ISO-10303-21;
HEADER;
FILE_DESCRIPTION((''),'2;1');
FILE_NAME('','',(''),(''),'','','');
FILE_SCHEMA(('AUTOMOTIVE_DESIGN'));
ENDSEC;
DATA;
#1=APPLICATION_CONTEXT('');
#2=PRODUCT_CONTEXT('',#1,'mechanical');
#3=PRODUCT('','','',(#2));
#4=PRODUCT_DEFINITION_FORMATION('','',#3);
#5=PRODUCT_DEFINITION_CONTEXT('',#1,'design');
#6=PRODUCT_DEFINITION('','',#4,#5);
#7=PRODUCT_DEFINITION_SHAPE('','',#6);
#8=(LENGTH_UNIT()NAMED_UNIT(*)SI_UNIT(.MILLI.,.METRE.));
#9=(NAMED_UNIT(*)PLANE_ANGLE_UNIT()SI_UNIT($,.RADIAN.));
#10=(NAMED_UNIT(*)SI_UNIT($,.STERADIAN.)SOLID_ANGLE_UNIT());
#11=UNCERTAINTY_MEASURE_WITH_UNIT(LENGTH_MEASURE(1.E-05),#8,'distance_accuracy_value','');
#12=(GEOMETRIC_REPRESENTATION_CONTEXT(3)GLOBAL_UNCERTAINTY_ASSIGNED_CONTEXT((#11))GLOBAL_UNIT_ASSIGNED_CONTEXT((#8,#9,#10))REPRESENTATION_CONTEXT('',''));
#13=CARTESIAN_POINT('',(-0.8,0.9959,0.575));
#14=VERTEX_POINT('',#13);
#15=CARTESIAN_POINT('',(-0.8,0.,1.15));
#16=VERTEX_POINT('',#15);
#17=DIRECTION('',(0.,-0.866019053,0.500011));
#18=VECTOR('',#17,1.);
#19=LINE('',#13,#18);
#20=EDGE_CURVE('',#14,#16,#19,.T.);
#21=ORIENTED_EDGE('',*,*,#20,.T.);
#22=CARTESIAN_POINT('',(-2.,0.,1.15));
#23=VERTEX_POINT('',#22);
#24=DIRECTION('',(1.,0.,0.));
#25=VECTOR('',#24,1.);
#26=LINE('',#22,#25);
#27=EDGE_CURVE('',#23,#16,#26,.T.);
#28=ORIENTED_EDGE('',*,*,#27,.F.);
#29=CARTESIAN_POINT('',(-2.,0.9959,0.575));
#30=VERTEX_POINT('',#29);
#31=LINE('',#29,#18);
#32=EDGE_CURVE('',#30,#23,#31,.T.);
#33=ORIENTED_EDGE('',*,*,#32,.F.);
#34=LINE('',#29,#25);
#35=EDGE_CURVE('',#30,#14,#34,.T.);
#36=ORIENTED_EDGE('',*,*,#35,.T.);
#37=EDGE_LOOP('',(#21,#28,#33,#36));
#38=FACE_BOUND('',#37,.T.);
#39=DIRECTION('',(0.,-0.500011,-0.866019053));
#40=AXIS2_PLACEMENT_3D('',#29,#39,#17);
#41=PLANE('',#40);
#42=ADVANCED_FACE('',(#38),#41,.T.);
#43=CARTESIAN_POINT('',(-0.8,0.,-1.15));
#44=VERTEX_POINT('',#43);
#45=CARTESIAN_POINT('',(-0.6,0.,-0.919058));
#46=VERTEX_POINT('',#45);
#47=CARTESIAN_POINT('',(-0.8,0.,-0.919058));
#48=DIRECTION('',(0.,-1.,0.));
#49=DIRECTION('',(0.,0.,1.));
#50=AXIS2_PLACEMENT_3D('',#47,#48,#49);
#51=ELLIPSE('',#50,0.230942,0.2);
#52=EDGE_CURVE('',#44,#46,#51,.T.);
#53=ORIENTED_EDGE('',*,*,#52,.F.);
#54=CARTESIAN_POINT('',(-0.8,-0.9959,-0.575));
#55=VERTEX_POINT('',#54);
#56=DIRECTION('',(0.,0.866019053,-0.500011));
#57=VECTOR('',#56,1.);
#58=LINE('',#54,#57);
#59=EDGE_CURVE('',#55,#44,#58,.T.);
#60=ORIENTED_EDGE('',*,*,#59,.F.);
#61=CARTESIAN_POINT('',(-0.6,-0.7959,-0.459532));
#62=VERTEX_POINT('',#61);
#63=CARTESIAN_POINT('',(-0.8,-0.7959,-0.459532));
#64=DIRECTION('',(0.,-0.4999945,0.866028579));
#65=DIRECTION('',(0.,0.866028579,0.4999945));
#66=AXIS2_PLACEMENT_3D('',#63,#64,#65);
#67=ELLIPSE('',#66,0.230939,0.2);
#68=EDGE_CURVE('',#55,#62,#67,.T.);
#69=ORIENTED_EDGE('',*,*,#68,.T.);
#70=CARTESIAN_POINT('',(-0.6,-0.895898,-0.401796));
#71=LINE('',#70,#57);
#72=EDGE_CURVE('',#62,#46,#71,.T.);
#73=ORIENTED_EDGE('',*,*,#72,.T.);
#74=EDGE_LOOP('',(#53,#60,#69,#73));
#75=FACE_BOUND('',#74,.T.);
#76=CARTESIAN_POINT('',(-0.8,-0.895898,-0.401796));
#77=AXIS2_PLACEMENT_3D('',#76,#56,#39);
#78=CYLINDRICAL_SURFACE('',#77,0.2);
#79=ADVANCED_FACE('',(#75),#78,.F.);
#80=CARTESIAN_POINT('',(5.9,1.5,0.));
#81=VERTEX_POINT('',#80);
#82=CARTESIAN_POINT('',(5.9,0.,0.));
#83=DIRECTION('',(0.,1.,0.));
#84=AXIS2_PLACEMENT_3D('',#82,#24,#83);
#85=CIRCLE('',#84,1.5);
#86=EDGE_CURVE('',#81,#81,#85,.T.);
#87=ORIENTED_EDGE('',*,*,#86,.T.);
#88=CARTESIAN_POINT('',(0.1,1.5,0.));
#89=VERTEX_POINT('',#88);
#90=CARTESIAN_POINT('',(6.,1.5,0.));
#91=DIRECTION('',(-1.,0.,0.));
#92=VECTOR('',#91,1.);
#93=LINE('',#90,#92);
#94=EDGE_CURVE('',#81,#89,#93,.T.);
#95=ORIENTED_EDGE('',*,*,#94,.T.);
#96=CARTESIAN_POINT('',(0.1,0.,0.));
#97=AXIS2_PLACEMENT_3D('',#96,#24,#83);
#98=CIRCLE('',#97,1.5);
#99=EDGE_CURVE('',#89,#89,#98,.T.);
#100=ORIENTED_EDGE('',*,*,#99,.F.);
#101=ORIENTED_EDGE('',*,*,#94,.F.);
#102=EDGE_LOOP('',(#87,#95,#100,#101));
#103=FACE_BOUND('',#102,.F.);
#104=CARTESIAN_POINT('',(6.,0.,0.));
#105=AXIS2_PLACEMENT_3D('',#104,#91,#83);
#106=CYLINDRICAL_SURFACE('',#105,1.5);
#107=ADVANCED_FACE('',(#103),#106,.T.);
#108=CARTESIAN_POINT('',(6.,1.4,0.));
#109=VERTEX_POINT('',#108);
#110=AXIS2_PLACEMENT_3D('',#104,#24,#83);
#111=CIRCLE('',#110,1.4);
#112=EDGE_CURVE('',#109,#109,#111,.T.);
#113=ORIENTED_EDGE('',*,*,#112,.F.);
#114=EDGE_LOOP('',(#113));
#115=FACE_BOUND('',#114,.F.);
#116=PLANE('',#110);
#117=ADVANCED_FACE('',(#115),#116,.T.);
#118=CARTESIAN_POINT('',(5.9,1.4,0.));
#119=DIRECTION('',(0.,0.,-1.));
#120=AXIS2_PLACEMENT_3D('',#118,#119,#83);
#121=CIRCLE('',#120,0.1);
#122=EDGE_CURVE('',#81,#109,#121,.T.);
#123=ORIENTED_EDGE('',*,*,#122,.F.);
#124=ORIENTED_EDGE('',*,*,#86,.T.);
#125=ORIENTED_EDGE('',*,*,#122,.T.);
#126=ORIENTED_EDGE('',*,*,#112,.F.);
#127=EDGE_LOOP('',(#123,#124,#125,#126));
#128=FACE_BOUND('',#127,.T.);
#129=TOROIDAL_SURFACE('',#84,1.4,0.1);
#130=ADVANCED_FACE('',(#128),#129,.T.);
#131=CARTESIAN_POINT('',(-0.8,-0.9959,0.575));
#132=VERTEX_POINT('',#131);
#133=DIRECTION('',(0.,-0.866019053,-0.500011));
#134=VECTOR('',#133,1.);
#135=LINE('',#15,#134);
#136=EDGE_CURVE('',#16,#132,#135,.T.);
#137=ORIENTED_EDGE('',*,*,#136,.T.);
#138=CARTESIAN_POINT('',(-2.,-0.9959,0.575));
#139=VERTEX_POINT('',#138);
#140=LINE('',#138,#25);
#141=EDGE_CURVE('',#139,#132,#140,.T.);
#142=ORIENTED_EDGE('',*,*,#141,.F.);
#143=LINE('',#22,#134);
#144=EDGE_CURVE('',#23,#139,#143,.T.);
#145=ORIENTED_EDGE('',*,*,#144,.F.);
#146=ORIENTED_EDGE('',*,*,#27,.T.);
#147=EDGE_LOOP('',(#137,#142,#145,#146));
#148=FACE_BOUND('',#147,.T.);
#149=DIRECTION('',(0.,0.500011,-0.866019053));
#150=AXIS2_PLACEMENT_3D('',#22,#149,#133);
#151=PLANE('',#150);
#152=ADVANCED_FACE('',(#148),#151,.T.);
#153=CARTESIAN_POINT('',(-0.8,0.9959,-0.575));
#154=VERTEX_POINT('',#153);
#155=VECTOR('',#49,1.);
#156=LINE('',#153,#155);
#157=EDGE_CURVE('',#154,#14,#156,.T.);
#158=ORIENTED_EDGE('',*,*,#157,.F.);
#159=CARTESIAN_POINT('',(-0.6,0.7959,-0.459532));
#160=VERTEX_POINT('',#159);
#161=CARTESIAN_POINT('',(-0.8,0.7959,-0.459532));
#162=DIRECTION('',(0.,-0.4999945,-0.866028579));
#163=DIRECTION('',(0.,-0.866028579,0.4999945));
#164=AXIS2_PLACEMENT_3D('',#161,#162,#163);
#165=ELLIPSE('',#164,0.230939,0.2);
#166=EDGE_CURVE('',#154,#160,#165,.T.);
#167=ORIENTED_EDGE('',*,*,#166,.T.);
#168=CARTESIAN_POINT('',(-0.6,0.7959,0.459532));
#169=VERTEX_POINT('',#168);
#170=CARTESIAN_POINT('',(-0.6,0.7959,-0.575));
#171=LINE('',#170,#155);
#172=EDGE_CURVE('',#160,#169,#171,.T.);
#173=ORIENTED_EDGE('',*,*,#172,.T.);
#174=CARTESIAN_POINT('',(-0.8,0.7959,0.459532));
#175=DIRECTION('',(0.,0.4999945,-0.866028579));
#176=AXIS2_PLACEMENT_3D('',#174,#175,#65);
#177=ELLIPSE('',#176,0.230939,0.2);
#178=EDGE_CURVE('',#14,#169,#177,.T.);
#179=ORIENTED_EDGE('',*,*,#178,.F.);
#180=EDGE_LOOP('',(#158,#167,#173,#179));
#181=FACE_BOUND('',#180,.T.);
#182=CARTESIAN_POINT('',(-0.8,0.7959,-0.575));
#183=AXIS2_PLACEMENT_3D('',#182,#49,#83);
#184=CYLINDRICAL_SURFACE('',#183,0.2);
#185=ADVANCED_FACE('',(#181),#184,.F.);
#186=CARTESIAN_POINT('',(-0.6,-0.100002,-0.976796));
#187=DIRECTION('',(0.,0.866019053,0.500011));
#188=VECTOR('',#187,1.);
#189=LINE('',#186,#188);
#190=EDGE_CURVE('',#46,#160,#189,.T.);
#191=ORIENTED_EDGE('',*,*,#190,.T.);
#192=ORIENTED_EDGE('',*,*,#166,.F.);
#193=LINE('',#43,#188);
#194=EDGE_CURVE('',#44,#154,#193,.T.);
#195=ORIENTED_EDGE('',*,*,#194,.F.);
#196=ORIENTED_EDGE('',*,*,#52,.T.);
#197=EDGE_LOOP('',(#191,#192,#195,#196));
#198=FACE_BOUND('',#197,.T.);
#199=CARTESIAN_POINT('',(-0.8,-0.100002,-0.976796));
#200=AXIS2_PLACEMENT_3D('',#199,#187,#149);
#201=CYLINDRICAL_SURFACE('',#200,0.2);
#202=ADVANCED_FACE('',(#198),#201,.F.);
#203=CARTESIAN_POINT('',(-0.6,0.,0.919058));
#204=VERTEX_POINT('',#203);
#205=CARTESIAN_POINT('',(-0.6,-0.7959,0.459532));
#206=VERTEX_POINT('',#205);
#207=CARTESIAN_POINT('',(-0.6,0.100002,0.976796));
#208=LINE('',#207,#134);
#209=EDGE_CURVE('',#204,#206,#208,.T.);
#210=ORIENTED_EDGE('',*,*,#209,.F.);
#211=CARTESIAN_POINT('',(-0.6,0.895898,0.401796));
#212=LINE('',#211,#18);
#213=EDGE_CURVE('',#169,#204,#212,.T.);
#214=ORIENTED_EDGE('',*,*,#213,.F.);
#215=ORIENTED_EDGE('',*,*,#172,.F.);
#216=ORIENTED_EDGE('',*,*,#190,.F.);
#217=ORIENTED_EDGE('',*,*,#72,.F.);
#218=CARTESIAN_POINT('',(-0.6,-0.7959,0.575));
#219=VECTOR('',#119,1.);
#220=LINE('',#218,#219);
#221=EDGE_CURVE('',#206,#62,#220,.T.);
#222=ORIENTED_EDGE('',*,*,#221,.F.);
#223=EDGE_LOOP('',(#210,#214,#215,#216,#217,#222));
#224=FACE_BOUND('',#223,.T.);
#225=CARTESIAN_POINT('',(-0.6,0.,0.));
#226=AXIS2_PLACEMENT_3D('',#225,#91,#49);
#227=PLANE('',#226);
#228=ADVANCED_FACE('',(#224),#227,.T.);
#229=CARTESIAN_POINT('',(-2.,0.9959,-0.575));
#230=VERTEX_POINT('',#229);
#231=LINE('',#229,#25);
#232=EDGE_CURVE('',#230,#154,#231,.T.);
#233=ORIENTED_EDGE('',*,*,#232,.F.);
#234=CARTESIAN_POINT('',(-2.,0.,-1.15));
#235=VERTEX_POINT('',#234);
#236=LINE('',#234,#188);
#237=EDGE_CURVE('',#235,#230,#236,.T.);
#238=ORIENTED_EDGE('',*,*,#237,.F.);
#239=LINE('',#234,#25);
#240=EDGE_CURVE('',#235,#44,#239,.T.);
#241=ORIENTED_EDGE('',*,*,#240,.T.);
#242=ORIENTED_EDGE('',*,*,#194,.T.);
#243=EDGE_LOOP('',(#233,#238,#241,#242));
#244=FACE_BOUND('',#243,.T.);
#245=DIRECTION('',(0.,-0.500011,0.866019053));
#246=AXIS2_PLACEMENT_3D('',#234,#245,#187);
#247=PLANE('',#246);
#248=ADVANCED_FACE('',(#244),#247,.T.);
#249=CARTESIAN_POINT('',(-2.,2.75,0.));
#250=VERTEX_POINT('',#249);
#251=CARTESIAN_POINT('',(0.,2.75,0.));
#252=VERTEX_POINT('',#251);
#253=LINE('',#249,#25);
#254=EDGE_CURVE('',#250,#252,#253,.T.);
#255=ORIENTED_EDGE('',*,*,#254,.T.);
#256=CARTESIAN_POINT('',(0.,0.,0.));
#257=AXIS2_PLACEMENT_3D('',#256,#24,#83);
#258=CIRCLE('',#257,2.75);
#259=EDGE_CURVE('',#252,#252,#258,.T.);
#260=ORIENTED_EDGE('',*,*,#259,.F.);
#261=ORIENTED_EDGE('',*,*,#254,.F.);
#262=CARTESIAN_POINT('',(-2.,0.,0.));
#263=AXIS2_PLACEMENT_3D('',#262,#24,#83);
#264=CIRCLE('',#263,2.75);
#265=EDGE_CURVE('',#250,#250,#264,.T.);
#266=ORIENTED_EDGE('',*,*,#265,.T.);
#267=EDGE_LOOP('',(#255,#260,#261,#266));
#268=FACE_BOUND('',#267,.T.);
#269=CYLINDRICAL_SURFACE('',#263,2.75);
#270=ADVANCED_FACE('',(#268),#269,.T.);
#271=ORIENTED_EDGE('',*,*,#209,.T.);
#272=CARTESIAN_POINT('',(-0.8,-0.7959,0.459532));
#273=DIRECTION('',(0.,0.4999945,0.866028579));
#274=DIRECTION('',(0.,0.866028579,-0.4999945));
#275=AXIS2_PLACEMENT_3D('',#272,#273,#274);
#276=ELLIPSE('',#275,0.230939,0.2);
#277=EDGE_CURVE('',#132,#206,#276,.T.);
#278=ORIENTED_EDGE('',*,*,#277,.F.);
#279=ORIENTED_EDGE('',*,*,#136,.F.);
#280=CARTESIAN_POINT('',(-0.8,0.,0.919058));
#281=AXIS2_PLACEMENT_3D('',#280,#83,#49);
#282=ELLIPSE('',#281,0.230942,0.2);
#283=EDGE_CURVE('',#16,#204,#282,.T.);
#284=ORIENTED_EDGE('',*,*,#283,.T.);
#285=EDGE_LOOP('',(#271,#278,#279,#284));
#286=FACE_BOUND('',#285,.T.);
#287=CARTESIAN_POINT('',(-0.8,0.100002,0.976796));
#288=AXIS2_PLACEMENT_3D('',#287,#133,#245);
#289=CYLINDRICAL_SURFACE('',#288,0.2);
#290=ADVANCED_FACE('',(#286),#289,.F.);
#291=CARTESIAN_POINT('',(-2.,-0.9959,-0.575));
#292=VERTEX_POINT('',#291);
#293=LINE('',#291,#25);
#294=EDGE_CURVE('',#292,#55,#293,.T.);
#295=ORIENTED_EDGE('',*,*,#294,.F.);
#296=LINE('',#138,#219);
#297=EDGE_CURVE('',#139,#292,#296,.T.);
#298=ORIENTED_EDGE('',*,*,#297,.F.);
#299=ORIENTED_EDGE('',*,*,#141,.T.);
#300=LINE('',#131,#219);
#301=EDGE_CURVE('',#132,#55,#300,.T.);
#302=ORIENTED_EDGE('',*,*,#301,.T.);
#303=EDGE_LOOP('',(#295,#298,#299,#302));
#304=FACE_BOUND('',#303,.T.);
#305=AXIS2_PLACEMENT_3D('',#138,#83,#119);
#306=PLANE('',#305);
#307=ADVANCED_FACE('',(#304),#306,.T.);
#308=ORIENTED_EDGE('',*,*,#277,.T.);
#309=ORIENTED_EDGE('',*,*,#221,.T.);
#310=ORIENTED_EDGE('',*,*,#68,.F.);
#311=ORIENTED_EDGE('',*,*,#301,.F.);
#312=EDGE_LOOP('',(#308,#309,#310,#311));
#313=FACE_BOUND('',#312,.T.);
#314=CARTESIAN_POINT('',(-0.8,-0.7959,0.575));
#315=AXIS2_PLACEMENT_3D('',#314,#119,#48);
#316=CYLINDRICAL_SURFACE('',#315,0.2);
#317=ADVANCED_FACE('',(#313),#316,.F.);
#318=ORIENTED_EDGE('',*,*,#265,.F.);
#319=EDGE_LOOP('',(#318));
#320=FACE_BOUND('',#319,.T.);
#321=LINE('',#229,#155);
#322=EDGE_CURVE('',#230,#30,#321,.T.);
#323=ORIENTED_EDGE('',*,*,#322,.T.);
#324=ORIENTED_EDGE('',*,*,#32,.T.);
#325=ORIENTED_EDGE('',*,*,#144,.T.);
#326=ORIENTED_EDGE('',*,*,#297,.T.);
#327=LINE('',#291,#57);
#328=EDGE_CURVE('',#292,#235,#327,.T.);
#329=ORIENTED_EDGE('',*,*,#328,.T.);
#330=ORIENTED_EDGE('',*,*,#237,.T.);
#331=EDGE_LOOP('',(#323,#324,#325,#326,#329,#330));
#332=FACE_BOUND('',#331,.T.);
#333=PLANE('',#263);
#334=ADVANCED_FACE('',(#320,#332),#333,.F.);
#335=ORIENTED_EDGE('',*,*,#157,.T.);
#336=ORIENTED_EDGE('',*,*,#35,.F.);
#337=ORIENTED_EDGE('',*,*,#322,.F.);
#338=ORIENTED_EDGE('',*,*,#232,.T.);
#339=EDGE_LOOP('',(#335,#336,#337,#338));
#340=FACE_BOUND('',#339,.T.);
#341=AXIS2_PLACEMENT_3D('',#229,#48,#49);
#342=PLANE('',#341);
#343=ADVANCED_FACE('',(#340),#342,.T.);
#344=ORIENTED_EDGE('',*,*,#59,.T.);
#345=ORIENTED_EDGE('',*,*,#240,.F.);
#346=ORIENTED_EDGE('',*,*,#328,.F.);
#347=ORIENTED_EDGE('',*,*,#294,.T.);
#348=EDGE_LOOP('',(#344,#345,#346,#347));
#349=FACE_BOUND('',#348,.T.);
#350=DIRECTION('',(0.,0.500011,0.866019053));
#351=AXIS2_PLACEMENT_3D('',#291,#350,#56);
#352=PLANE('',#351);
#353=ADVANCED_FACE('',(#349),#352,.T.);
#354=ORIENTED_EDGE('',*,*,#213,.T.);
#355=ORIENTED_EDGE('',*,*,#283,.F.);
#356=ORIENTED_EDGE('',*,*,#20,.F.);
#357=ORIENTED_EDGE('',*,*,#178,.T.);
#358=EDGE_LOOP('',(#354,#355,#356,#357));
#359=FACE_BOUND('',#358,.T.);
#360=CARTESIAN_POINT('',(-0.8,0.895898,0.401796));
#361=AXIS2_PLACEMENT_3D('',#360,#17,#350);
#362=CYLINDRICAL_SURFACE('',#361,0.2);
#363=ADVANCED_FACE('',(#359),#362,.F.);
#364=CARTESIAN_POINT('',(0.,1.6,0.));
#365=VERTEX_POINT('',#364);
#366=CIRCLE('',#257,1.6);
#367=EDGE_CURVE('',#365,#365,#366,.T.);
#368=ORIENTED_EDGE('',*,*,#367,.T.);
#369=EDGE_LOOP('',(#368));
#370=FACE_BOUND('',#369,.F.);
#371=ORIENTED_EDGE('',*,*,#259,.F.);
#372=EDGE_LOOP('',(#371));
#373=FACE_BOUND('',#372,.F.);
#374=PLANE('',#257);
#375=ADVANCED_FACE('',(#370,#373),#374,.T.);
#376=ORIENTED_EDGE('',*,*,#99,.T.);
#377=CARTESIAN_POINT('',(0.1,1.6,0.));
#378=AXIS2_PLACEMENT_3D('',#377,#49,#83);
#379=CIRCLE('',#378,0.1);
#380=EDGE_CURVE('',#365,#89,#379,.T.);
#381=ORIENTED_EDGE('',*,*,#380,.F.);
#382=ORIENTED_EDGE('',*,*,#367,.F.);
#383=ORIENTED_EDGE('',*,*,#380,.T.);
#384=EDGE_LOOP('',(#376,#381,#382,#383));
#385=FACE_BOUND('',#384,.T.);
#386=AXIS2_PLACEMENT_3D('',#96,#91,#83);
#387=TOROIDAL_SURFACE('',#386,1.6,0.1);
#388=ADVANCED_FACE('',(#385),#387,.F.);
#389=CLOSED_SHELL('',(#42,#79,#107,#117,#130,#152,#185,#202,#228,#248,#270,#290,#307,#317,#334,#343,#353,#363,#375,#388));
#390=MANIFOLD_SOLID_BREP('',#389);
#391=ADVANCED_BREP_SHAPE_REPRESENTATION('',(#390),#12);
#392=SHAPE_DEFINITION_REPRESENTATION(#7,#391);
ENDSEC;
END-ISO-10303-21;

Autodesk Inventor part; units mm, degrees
ref_plane "YZ Plane" through (0, 0, 0) normal (1, 0, 0) x (0, 1, 0)
ref_plane "XZ Plane" through (0, 0, 0) normal (0, 1, 0) x (-1, 0, 0)
ref_plane "XY Plane" through (0, 0, 0) normal (0, 0, 1) x (1, 0, 0)
sketch "スケッチ1" plane through (0, 0, 0) normal (0, 0, 1) x (1, 0, 0)
  line L0 (0, 0) -> (6, 0)
  line L1 (6, 0) -> (6, 1.5)
  line L2 (6, 1.5) -> (0, 1.5)
  line L3 (0, 1.5) -> (0, 0)
  line L4 (0, 0) -> (0, 2.75)
  line L5 (0, 0) -> (-2, 0)
  line L6 (-2, 0) -> (0, 0)
  line L7 (-2, 0) -> (-2, 1.15)
  line L8 (0, 0) -> (-2, 0)
  line L9 (-2, 0) -> (-2, 2.75)
  line L10 (-2, 2.75) -> (0, 2.75)
  line L11 (0, 2.75) -> (0, 0)
  dimension "d0" = 1.5
  dimension "d1" = 6
  dimension "d3" = 2
  dimension "d4" = 2.75
  dimension "d5" = 1.15
revolve "回転1" add sketch "スケッチ1" angle 360 about axis through (-2, 0, 0) along (1, 0, 0)
thread "ねじ1" size "M3x0.5" class "6g" standard "ANSI Metric M Profile" length 100
sketch "スケッチ2" plane through (-2, 0, 0) normal (-1, 0, 0) x (0, 0, 1)
  circle A0 centre (0, 0) radius 1.15 projected
  line L0 (-0.575, 0.9959) -> (0.575, 0.9959)
  line L1 (0.575, 0.9959) -> (1.15, 0)
  line L2 (1.15, 0) -> (0.575, -0.9959)
  line L3 (0.575, -0.9959) -> (-0.575, -0.9959)
  line L4 (-0.575, -0.9959) -> (-1.15, 0)
  line L5 (-1.15, 0) -> (-0.575, 0.9959)
  dimension "d10" = 1.15
  dimension "d11" = 1.9919
extrude "押し出し1" cut sketch "スケッチ2" against normal blind 1.4 contours L2 L3 L4 L5 L0 L1
fillet "フィレット1" radius 0.2 6 edges at (-0.6, 0.9959, 0) (-0.6, 0.498, 0.8625) (-0.6, 0.498, -0.8625) (-0.6, -0.498, -0.8625) (-0.6, -0.9959, 0) (-0.6, -0.498, 0.8625)
fillet "フィレット2" radius 0.1 1 edges at (0, -1.5, 0)
fillet "フィレット3" radius 0.1 1 edges at (6, -1.5, 0)
properties part number "ネジキャップM3L6" material "鋼"
